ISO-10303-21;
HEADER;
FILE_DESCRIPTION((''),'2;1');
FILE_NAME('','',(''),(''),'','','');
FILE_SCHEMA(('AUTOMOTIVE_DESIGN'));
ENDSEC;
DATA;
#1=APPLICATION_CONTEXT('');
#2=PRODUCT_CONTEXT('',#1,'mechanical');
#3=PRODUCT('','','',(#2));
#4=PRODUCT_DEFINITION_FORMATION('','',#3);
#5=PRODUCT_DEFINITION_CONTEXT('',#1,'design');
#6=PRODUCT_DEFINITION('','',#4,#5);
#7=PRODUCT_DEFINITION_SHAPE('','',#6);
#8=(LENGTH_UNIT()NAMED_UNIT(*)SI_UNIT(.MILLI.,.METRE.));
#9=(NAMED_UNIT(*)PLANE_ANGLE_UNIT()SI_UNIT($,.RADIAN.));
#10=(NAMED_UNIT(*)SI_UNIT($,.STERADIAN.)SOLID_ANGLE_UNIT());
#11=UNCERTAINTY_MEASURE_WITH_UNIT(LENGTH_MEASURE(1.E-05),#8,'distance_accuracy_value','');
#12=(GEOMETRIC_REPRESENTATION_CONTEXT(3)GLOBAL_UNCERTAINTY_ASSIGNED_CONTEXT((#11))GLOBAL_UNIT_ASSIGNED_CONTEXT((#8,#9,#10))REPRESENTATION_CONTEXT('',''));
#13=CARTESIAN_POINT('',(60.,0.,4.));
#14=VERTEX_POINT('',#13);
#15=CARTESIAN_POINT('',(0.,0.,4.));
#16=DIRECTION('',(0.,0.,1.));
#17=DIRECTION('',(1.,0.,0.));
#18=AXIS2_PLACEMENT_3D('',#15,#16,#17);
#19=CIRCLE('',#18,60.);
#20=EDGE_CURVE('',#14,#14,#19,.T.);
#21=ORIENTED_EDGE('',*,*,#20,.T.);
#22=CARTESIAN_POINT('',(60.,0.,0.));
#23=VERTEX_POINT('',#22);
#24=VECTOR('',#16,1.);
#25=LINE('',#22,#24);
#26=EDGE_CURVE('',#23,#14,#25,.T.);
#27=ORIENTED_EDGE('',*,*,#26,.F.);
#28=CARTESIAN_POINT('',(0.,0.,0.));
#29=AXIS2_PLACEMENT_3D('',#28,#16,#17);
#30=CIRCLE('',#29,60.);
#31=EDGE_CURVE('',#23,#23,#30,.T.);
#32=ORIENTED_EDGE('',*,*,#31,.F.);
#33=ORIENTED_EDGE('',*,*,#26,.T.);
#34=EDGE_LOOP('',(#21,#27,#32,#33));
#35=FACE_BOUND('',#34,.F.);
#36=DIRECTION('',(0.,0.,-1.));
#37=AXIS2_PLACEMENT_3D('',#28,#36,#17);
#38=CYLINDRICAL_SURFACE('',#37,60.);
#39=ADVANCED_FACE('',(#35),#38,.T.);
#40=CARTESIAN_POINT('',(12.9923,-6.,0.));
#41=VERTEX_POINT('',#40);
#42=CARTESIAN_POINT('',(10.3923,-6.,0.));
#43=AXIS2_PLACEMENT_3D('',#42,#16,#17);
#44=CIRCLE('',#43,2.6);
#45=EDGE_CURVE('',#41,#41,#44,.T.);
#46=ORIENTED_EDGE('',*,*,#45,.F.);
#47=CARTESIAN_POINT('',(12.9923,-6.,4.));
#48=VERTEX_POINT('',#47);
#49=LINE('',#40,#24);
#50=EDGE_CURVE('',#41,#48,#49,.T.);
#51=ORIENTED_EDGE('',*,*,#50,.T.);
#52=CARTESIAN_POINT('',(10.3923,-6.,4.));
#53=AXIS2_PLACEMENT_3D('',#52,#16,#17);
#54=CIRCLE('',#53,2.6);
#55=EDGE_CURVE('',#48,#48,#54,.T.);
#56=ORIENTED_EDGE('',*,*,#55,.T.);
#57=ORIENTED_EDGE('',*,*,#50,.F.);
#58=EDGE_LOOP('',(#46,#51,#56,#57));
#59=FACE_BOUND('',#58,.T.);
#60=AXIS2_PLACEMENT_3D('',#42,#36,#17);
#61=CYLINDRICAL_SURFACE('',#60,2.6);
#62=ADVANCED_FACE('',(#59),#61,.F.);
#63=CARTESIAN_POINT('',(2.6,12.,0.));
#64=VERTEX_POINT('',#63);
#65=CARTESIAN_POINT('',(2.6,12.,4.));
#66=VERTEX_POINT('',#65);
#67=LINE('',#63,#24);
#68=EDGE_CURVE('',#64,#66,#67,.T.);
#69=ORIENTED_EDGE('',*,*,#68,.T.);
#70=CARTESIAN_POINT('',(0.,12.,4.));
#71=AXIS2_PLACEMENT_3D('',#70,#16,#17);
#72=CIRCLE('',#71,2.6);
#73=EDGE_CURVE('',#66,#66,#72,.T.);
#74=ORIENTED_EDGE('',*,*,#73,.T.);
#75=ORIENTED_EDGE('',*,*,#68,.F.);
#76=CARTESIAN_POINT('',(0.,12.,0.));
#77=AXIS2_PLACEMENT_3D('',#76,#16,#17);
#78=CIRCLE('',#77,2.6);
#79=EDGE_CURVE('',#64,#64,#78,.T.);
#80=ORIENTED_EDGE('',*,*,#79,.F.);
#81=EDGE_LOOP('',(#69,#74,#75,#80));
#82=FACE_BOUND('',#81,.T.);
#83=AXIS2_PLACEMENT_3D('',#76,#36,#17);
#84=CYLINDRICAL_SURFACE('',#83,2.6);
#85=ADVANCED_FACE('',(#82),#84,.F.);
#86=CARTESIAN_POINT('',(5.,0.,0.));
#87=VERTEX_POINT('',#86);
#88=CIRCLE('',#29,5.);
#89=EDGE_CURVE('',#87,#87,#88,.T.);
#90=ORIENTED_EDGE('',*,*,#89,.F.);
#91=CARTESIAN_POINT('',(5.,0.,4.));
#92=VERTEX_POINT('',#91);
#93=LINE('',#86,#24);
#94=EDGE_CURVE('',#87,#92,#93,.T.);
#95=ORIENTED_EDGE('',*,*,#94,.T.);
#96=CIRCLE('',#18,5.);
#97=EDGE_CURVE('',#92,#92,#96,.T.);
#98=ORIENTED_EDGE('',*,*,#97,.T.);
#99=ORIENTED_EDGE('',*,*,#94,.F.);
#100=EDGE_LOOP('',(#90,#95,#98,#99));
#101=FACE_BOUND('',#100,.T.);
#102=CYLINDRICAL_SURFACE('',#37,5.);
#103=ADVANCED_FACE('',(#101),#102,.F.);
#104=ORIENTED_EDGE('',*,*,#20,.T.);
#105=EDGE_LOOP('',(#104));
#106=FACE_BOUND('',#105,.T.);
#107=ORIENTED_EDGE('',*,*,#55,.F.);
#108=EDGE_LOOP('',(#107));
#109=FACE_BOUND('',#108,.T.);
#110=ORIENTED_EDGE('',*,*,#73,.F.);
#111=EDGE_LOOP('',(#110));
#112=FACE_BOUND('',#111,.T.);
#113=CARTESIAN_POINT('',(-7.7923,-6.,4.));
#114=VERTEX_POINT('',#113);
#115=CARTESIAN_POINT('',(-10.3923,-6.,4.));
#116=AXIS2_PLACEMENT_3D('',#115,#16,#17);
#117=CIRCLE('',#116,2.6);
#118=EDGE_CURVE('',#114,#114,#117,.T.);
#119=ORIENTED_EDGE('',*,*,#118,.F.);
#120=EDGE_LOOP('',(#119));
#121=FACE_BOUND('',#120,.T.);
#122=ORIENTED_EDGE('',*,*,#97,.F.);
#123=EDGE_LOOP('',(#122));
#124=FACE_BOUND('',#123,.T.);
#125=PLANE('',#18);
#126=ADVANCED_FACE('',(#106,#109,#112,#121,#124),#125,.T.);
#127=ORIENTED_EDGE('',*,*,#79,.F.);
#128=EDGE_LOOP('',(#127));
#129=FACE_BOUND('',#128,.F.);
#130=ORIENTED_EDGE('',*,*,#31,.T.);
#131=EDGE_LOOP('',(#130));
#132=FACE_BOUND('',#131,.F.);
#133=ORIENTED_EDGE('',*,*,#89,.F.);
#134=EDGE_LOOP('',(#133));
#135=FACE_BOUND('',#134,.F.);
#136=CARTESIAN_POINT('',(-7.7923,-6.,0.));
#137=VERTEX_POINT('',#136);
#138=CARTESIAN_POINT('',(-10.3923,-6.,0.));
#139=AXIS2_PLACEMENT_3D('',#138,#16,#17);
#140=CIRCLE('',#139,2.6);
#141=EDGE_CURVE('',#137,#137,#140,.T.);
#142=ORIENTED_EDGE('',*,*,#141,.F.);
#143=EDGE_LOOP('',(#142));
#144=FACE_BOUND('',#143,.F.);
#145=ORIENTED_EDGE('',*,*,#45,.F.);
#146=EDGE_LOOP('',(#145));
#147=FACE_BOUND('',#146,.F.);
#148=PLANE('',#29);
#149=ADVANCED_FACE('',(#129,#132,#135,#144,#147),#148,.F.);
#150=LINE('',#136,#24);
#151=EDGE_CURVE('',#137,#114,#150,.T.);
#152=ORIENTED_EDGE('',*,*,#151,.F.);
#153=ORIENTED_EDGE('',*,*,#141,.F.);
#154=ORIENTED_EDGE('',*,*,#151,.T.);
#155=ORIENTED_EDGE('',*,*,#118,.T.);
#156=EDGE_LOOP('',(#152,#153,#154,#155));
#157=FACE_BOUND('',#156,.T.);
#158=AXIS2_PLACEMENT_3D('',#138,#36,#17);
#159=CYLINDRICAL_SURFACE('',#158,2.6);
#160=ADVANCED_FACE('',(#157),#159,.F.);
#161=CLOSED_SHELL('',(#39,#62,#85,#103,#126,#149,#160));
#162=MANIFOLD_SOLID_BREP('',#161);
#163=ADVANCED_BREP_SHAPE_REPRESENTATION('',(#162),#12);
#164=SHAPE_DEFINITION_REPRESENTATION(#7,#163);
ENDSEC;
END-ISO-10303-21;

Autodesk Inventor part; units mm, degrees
ref_plane "YZ Plane" through (0, 0, 0) normal (1, 0, 0) x (0, 1, 0)
ref_plane "XZ Plane" through (0, 0, 0) normal (0, 1, 0) x (-1, 0, 0)
ref_plane "XY Plane" through (0, 0, 0) normal (0, 0, 1) x (1, 0, 0)
sketch "Эскиз1" plane through (0, 0, 0) normal (0, 0, 1) x (1, 0, 0)
  circle A0 centre (0, 0) radius 5
  circle A1 centre (0, 0) radius 60
  line L0 (0, -84) -> (0, 84) construction
  circle A2 centre (0, 0) radius 20.7 construction
  circle A3 centre (0, 12) radius 2.6
  line L1 (-84, 0) -> (84, 0) construction
  circle A4 centre (-10.3923, -6) radius 2.6
  circle A5 centre (10.3923, -6) radius 2.6
  dimension "d0" = 10
  dimension "d1" = 120
  dimension "d4" = 41.4
  dimension "d5" = 5.2
  dimension "d6" = 12
  dimension "d9" = 360
extrude "Выдавливание1" add sketch "Эскиз1" along normal blind 4
properties part number "Бортик конусной катушки"
